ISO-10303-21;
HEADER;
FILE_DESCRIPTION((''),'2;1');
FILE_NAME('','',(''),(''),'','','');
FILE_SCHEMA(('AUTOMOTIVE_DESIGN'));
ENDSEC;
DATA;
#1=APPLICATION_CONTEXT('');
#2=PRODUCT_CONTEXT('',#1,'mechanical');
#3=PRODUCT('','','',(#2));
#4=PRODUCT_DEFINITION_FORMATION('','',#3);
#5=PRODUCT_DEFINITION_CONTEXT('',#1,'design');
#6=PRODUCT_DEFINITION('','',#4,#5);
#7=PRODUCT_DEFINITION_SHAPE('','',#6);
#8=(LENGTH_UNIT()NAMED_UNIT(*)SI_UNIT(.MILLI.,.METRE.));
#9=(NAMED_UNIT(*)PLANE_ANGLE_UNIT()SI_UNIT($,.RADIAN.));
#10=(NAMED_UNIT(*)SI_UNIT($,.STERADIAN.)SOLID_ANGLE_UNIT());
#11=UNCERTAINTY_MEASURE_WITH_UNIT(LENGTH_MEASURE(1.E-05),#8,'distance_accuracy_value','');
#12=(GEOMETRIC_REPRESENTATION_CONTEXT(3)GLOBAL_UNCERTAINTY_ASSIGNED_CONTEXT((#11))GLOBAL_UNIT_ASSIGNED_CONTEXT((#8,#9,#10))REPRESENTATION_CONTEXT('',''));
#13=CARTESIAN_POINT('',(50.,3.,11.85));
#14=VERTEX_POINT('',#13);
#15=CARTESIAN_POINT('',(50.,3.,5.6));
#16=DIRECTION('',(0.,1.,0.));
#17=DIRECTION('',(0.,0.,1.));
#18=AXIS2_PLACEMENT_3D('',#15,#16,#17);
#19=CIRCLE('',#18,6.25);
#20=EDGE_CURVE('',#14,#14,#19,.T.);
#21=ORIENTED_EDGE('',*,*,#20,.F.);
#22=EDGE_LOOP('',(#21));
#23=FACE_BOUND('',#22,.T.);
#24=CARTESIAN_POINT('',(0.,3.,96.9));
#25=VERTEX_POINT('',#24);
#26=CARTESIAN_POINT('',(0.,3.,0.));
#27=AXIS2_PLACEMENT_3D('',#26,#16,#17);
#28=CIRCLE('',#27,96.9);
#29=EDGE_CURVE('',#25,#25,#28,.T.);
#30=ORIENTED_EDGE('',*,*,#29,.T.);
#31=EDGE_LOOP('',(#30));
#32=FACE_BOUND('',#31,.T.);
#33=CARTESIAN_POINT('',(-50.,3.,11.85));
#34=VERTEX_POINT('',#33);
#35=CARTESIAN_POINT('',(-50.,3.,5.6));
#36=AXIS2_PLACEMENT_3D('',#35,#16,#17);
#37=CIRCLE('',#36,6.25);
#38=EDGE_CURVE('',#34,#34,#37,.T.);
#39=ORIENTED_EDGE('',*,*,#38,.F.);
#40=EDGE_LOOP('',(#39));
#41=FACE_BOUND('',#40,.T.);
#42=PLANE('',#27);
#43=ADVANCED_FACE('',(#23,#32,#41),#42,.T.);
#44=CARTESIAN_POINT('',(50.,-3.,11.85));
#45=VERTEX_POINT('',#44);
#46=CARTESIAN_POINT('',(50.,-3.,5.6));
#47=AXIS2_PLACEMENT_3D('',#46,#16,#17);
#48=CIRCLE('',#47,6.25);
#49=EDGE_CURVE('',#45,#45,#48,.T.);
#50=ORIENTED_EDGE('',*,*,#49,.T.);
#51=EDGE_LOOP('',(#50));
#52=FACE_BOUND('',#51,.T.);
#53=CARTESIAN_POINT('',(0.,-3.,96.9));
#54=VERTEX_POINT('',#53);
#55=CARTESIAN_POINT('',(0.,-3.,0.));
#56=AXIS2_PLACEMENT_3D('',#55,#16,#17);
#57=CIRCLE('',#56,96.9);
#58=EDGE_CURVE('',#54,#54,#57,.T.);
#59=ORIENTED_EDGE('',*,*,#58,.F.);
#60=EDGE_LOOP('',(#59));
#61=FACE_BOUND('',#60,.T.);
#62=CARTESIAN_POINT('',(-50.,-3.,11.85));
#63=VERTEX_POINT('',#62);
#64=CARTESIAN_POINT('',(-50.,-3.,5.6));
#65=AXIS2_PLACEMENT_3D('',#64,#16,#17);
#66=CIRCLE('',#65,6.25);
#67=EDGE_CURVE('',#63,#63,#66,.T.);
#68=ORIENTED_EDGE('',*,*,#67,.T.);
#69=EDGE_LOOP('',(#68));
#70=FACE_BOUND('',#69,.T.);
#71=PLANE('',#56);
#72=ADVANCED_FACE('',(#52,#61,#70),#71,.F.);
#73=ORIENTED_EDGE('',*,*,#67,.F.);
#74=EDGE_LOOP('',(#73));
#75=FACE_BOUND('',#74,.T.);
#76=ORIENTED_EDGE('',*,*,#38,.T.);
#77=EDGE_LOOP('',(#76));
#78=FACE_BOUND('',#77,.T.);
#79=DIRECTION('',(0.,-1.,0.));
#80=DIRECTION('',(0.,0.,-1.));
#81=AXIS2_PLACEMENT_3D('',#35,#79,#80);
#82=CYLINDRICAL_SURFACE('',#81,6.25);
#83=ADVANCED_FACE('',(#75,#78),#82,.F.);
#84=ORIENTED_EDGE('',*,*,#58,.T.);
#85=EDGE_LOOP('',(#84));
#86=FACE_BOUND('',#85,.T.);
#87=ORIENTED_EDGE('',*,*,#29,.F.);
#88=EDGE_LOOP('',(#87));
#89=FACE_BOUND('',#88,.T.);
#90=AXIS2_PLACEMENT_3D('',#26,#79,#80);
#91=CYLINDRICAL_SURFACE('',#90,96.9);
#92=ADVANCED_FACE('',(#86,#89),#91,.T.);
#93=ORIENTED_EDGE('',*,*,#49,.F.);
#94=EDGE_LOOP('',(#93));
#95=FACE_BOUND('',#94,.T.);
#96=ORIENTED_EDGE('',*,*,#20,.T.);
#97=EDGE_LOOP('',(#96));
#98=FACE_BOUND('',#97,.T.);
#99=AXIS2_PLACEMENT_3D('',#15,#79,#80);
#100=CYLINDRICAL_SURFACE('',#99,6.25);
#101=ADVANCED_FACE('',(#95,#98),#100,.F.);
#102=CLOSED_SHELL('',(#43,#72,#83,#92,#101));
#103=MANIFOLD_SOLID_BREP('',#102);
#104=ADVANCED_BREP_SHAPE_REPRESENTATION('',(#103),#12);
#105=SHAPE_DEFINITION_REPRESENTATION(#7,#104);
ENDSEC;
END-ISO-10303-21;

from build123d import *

# Parameters (mm, degrees)
SKETCH1_R           = 96.9
SKETCH1_R_2         = 6.25
BOSS_EXTRUDE1_DEPTH = 3


with BuildPart() as part:
    # Sketch1 → Boss-Extrude1 (new, symmetric)
    with BuildSketch(Plane(origin=(0, 0, 0), x_dir=(1, 0, 0), z_dir=(0, 1, 0))):
        with Locations(Location((0, 0, 0), (0, 0, 270))):
            Circle(SKETCH1_R)
        with Locations(Location((-50, -5.6, 0), (0, 0, 270))):
            Circle(SKETCH1_R_2, mode=Mode.SUBTRACT)
        with Locations(Location((50, -5.6, 0), (0, 0, 270))):
            Circle(SKETCH1_R_2, mode=Mode.SUBTRACT)
    extrude(amount=BOSS_EXTRUDE1_DEPTH, both=True)


solid = part.part
